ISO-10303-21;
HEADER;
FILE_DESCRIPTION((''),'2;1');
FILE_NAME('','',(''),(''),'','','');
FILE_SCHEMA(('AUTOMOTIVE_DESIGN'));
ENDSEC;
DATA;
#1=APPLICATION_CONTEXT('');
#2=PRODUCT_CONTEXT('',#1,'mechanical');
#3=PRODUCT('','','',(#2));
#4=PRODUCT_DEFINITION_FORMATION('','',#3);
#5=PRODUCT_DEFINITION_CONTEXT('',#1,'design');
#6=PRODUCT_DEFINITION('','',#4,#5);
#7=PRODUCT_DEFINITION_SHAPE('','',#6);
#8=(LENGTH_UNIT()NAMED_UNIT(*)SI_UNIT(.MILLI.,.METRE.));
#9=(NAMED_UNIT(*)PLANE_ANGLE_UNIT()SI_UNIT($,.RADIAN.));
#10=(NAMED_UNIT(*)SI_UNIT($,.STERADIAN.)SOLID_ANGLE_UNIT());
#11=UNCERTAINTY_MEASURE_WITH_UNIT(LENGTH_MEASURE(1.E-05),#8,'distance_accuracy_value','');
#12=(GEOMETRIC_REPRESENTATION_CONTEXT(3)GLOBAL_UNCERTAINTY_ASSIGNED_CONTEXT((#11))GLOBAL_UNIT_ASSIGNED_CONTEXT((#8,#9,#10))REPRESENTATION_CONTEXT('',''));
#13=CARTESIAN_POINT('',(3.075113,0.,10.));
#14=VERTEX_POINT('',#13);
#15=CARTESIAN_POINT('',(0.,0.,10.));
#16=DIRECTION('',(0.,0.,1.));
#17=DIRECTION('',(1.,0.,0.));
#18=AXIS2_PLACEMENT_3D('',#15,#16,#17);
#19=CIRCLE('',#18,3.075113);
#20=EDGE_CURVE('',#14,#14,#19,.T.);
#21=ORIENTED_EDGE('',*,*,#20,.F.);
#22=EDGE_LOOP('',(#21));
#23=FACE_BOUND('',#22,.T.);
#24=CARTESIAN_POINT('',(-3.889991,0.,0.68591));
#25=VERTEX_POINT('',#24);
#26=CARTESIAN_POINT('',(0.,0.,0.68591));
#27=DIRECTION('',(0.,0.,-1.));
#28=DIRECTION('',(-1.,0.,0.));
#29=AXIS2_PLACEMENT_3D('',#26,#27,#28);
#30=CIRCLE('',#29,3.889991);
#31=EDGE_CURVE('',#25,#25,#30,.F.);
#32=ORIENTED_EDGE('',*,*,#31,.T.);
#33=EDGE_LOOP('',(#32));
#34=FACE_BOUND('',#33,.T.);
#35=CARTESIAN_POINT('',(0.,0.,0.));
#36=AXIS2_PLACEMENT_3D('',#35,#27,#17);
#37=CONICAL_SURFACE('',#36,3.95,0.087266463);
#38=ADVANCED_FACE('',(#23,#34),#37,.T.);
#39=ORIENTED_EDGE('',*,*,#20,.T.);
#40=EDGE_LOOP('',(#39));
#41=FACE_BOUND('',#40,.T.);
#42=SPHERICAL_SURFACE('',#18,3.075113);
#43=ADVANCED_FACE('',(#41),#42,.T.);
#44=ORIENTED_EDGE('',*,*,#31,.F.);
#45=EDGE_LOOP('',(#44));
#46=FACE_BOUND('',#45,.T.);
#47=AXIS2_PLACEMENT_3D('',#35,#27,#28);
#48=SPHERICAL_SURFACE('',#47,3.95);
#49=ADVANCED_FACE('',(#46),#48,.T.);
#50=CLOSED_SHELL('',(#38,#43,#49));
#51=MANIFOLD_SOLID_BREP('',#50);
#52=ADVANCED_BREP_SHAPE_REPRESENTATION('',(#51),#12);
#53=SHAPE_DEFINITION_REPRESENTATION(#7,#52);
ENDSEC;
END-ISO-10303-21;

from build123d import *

# Parameters (mm, degrees)
SKETCH2_R           = 3.95
BOSS_EXTRUDE1_DEPTH = 10
BOSS_EXTRUDE1_TAPER = 5


with BuildPart() as part:
    # Sketch1 → Revolve1 (revolve)
    with BuildSketch(Plane.XY):
        with BuildLine():
            Line((0, 3.95), (0, -3.95))
            ThreePointArc((0, -3.95), (3.95, 0), (0, 3.95))
        make_face()
    revolve(axis=Axis((0, 3.95, 0), (0, -1, 0)))

    # Sketch2 → Boss-Extrude1 (add)
    with BuildSketch(Plane.XY):
        Circle(SKETCH2_R)
    extrude(amount=BOSS_EXTRUDE1_DEPTH, taper=BOSS_EXTRUDE1_TAPER)

    # Sketch3 → Revolve2 (revolve)
    with BuildSketch(Plane.XY.offset(10)):
        with BuildLine():
            Line((0, 3.075113365), (0, -3.075113365))
            ThreePointArc((0, -3.075113365), (3.075113365, 0), (0, 3.075113365))
        make_face()
    revolve(axis=Axis((0, 3.075113365, 10), (0, -1, 0)))


solid = part.part
